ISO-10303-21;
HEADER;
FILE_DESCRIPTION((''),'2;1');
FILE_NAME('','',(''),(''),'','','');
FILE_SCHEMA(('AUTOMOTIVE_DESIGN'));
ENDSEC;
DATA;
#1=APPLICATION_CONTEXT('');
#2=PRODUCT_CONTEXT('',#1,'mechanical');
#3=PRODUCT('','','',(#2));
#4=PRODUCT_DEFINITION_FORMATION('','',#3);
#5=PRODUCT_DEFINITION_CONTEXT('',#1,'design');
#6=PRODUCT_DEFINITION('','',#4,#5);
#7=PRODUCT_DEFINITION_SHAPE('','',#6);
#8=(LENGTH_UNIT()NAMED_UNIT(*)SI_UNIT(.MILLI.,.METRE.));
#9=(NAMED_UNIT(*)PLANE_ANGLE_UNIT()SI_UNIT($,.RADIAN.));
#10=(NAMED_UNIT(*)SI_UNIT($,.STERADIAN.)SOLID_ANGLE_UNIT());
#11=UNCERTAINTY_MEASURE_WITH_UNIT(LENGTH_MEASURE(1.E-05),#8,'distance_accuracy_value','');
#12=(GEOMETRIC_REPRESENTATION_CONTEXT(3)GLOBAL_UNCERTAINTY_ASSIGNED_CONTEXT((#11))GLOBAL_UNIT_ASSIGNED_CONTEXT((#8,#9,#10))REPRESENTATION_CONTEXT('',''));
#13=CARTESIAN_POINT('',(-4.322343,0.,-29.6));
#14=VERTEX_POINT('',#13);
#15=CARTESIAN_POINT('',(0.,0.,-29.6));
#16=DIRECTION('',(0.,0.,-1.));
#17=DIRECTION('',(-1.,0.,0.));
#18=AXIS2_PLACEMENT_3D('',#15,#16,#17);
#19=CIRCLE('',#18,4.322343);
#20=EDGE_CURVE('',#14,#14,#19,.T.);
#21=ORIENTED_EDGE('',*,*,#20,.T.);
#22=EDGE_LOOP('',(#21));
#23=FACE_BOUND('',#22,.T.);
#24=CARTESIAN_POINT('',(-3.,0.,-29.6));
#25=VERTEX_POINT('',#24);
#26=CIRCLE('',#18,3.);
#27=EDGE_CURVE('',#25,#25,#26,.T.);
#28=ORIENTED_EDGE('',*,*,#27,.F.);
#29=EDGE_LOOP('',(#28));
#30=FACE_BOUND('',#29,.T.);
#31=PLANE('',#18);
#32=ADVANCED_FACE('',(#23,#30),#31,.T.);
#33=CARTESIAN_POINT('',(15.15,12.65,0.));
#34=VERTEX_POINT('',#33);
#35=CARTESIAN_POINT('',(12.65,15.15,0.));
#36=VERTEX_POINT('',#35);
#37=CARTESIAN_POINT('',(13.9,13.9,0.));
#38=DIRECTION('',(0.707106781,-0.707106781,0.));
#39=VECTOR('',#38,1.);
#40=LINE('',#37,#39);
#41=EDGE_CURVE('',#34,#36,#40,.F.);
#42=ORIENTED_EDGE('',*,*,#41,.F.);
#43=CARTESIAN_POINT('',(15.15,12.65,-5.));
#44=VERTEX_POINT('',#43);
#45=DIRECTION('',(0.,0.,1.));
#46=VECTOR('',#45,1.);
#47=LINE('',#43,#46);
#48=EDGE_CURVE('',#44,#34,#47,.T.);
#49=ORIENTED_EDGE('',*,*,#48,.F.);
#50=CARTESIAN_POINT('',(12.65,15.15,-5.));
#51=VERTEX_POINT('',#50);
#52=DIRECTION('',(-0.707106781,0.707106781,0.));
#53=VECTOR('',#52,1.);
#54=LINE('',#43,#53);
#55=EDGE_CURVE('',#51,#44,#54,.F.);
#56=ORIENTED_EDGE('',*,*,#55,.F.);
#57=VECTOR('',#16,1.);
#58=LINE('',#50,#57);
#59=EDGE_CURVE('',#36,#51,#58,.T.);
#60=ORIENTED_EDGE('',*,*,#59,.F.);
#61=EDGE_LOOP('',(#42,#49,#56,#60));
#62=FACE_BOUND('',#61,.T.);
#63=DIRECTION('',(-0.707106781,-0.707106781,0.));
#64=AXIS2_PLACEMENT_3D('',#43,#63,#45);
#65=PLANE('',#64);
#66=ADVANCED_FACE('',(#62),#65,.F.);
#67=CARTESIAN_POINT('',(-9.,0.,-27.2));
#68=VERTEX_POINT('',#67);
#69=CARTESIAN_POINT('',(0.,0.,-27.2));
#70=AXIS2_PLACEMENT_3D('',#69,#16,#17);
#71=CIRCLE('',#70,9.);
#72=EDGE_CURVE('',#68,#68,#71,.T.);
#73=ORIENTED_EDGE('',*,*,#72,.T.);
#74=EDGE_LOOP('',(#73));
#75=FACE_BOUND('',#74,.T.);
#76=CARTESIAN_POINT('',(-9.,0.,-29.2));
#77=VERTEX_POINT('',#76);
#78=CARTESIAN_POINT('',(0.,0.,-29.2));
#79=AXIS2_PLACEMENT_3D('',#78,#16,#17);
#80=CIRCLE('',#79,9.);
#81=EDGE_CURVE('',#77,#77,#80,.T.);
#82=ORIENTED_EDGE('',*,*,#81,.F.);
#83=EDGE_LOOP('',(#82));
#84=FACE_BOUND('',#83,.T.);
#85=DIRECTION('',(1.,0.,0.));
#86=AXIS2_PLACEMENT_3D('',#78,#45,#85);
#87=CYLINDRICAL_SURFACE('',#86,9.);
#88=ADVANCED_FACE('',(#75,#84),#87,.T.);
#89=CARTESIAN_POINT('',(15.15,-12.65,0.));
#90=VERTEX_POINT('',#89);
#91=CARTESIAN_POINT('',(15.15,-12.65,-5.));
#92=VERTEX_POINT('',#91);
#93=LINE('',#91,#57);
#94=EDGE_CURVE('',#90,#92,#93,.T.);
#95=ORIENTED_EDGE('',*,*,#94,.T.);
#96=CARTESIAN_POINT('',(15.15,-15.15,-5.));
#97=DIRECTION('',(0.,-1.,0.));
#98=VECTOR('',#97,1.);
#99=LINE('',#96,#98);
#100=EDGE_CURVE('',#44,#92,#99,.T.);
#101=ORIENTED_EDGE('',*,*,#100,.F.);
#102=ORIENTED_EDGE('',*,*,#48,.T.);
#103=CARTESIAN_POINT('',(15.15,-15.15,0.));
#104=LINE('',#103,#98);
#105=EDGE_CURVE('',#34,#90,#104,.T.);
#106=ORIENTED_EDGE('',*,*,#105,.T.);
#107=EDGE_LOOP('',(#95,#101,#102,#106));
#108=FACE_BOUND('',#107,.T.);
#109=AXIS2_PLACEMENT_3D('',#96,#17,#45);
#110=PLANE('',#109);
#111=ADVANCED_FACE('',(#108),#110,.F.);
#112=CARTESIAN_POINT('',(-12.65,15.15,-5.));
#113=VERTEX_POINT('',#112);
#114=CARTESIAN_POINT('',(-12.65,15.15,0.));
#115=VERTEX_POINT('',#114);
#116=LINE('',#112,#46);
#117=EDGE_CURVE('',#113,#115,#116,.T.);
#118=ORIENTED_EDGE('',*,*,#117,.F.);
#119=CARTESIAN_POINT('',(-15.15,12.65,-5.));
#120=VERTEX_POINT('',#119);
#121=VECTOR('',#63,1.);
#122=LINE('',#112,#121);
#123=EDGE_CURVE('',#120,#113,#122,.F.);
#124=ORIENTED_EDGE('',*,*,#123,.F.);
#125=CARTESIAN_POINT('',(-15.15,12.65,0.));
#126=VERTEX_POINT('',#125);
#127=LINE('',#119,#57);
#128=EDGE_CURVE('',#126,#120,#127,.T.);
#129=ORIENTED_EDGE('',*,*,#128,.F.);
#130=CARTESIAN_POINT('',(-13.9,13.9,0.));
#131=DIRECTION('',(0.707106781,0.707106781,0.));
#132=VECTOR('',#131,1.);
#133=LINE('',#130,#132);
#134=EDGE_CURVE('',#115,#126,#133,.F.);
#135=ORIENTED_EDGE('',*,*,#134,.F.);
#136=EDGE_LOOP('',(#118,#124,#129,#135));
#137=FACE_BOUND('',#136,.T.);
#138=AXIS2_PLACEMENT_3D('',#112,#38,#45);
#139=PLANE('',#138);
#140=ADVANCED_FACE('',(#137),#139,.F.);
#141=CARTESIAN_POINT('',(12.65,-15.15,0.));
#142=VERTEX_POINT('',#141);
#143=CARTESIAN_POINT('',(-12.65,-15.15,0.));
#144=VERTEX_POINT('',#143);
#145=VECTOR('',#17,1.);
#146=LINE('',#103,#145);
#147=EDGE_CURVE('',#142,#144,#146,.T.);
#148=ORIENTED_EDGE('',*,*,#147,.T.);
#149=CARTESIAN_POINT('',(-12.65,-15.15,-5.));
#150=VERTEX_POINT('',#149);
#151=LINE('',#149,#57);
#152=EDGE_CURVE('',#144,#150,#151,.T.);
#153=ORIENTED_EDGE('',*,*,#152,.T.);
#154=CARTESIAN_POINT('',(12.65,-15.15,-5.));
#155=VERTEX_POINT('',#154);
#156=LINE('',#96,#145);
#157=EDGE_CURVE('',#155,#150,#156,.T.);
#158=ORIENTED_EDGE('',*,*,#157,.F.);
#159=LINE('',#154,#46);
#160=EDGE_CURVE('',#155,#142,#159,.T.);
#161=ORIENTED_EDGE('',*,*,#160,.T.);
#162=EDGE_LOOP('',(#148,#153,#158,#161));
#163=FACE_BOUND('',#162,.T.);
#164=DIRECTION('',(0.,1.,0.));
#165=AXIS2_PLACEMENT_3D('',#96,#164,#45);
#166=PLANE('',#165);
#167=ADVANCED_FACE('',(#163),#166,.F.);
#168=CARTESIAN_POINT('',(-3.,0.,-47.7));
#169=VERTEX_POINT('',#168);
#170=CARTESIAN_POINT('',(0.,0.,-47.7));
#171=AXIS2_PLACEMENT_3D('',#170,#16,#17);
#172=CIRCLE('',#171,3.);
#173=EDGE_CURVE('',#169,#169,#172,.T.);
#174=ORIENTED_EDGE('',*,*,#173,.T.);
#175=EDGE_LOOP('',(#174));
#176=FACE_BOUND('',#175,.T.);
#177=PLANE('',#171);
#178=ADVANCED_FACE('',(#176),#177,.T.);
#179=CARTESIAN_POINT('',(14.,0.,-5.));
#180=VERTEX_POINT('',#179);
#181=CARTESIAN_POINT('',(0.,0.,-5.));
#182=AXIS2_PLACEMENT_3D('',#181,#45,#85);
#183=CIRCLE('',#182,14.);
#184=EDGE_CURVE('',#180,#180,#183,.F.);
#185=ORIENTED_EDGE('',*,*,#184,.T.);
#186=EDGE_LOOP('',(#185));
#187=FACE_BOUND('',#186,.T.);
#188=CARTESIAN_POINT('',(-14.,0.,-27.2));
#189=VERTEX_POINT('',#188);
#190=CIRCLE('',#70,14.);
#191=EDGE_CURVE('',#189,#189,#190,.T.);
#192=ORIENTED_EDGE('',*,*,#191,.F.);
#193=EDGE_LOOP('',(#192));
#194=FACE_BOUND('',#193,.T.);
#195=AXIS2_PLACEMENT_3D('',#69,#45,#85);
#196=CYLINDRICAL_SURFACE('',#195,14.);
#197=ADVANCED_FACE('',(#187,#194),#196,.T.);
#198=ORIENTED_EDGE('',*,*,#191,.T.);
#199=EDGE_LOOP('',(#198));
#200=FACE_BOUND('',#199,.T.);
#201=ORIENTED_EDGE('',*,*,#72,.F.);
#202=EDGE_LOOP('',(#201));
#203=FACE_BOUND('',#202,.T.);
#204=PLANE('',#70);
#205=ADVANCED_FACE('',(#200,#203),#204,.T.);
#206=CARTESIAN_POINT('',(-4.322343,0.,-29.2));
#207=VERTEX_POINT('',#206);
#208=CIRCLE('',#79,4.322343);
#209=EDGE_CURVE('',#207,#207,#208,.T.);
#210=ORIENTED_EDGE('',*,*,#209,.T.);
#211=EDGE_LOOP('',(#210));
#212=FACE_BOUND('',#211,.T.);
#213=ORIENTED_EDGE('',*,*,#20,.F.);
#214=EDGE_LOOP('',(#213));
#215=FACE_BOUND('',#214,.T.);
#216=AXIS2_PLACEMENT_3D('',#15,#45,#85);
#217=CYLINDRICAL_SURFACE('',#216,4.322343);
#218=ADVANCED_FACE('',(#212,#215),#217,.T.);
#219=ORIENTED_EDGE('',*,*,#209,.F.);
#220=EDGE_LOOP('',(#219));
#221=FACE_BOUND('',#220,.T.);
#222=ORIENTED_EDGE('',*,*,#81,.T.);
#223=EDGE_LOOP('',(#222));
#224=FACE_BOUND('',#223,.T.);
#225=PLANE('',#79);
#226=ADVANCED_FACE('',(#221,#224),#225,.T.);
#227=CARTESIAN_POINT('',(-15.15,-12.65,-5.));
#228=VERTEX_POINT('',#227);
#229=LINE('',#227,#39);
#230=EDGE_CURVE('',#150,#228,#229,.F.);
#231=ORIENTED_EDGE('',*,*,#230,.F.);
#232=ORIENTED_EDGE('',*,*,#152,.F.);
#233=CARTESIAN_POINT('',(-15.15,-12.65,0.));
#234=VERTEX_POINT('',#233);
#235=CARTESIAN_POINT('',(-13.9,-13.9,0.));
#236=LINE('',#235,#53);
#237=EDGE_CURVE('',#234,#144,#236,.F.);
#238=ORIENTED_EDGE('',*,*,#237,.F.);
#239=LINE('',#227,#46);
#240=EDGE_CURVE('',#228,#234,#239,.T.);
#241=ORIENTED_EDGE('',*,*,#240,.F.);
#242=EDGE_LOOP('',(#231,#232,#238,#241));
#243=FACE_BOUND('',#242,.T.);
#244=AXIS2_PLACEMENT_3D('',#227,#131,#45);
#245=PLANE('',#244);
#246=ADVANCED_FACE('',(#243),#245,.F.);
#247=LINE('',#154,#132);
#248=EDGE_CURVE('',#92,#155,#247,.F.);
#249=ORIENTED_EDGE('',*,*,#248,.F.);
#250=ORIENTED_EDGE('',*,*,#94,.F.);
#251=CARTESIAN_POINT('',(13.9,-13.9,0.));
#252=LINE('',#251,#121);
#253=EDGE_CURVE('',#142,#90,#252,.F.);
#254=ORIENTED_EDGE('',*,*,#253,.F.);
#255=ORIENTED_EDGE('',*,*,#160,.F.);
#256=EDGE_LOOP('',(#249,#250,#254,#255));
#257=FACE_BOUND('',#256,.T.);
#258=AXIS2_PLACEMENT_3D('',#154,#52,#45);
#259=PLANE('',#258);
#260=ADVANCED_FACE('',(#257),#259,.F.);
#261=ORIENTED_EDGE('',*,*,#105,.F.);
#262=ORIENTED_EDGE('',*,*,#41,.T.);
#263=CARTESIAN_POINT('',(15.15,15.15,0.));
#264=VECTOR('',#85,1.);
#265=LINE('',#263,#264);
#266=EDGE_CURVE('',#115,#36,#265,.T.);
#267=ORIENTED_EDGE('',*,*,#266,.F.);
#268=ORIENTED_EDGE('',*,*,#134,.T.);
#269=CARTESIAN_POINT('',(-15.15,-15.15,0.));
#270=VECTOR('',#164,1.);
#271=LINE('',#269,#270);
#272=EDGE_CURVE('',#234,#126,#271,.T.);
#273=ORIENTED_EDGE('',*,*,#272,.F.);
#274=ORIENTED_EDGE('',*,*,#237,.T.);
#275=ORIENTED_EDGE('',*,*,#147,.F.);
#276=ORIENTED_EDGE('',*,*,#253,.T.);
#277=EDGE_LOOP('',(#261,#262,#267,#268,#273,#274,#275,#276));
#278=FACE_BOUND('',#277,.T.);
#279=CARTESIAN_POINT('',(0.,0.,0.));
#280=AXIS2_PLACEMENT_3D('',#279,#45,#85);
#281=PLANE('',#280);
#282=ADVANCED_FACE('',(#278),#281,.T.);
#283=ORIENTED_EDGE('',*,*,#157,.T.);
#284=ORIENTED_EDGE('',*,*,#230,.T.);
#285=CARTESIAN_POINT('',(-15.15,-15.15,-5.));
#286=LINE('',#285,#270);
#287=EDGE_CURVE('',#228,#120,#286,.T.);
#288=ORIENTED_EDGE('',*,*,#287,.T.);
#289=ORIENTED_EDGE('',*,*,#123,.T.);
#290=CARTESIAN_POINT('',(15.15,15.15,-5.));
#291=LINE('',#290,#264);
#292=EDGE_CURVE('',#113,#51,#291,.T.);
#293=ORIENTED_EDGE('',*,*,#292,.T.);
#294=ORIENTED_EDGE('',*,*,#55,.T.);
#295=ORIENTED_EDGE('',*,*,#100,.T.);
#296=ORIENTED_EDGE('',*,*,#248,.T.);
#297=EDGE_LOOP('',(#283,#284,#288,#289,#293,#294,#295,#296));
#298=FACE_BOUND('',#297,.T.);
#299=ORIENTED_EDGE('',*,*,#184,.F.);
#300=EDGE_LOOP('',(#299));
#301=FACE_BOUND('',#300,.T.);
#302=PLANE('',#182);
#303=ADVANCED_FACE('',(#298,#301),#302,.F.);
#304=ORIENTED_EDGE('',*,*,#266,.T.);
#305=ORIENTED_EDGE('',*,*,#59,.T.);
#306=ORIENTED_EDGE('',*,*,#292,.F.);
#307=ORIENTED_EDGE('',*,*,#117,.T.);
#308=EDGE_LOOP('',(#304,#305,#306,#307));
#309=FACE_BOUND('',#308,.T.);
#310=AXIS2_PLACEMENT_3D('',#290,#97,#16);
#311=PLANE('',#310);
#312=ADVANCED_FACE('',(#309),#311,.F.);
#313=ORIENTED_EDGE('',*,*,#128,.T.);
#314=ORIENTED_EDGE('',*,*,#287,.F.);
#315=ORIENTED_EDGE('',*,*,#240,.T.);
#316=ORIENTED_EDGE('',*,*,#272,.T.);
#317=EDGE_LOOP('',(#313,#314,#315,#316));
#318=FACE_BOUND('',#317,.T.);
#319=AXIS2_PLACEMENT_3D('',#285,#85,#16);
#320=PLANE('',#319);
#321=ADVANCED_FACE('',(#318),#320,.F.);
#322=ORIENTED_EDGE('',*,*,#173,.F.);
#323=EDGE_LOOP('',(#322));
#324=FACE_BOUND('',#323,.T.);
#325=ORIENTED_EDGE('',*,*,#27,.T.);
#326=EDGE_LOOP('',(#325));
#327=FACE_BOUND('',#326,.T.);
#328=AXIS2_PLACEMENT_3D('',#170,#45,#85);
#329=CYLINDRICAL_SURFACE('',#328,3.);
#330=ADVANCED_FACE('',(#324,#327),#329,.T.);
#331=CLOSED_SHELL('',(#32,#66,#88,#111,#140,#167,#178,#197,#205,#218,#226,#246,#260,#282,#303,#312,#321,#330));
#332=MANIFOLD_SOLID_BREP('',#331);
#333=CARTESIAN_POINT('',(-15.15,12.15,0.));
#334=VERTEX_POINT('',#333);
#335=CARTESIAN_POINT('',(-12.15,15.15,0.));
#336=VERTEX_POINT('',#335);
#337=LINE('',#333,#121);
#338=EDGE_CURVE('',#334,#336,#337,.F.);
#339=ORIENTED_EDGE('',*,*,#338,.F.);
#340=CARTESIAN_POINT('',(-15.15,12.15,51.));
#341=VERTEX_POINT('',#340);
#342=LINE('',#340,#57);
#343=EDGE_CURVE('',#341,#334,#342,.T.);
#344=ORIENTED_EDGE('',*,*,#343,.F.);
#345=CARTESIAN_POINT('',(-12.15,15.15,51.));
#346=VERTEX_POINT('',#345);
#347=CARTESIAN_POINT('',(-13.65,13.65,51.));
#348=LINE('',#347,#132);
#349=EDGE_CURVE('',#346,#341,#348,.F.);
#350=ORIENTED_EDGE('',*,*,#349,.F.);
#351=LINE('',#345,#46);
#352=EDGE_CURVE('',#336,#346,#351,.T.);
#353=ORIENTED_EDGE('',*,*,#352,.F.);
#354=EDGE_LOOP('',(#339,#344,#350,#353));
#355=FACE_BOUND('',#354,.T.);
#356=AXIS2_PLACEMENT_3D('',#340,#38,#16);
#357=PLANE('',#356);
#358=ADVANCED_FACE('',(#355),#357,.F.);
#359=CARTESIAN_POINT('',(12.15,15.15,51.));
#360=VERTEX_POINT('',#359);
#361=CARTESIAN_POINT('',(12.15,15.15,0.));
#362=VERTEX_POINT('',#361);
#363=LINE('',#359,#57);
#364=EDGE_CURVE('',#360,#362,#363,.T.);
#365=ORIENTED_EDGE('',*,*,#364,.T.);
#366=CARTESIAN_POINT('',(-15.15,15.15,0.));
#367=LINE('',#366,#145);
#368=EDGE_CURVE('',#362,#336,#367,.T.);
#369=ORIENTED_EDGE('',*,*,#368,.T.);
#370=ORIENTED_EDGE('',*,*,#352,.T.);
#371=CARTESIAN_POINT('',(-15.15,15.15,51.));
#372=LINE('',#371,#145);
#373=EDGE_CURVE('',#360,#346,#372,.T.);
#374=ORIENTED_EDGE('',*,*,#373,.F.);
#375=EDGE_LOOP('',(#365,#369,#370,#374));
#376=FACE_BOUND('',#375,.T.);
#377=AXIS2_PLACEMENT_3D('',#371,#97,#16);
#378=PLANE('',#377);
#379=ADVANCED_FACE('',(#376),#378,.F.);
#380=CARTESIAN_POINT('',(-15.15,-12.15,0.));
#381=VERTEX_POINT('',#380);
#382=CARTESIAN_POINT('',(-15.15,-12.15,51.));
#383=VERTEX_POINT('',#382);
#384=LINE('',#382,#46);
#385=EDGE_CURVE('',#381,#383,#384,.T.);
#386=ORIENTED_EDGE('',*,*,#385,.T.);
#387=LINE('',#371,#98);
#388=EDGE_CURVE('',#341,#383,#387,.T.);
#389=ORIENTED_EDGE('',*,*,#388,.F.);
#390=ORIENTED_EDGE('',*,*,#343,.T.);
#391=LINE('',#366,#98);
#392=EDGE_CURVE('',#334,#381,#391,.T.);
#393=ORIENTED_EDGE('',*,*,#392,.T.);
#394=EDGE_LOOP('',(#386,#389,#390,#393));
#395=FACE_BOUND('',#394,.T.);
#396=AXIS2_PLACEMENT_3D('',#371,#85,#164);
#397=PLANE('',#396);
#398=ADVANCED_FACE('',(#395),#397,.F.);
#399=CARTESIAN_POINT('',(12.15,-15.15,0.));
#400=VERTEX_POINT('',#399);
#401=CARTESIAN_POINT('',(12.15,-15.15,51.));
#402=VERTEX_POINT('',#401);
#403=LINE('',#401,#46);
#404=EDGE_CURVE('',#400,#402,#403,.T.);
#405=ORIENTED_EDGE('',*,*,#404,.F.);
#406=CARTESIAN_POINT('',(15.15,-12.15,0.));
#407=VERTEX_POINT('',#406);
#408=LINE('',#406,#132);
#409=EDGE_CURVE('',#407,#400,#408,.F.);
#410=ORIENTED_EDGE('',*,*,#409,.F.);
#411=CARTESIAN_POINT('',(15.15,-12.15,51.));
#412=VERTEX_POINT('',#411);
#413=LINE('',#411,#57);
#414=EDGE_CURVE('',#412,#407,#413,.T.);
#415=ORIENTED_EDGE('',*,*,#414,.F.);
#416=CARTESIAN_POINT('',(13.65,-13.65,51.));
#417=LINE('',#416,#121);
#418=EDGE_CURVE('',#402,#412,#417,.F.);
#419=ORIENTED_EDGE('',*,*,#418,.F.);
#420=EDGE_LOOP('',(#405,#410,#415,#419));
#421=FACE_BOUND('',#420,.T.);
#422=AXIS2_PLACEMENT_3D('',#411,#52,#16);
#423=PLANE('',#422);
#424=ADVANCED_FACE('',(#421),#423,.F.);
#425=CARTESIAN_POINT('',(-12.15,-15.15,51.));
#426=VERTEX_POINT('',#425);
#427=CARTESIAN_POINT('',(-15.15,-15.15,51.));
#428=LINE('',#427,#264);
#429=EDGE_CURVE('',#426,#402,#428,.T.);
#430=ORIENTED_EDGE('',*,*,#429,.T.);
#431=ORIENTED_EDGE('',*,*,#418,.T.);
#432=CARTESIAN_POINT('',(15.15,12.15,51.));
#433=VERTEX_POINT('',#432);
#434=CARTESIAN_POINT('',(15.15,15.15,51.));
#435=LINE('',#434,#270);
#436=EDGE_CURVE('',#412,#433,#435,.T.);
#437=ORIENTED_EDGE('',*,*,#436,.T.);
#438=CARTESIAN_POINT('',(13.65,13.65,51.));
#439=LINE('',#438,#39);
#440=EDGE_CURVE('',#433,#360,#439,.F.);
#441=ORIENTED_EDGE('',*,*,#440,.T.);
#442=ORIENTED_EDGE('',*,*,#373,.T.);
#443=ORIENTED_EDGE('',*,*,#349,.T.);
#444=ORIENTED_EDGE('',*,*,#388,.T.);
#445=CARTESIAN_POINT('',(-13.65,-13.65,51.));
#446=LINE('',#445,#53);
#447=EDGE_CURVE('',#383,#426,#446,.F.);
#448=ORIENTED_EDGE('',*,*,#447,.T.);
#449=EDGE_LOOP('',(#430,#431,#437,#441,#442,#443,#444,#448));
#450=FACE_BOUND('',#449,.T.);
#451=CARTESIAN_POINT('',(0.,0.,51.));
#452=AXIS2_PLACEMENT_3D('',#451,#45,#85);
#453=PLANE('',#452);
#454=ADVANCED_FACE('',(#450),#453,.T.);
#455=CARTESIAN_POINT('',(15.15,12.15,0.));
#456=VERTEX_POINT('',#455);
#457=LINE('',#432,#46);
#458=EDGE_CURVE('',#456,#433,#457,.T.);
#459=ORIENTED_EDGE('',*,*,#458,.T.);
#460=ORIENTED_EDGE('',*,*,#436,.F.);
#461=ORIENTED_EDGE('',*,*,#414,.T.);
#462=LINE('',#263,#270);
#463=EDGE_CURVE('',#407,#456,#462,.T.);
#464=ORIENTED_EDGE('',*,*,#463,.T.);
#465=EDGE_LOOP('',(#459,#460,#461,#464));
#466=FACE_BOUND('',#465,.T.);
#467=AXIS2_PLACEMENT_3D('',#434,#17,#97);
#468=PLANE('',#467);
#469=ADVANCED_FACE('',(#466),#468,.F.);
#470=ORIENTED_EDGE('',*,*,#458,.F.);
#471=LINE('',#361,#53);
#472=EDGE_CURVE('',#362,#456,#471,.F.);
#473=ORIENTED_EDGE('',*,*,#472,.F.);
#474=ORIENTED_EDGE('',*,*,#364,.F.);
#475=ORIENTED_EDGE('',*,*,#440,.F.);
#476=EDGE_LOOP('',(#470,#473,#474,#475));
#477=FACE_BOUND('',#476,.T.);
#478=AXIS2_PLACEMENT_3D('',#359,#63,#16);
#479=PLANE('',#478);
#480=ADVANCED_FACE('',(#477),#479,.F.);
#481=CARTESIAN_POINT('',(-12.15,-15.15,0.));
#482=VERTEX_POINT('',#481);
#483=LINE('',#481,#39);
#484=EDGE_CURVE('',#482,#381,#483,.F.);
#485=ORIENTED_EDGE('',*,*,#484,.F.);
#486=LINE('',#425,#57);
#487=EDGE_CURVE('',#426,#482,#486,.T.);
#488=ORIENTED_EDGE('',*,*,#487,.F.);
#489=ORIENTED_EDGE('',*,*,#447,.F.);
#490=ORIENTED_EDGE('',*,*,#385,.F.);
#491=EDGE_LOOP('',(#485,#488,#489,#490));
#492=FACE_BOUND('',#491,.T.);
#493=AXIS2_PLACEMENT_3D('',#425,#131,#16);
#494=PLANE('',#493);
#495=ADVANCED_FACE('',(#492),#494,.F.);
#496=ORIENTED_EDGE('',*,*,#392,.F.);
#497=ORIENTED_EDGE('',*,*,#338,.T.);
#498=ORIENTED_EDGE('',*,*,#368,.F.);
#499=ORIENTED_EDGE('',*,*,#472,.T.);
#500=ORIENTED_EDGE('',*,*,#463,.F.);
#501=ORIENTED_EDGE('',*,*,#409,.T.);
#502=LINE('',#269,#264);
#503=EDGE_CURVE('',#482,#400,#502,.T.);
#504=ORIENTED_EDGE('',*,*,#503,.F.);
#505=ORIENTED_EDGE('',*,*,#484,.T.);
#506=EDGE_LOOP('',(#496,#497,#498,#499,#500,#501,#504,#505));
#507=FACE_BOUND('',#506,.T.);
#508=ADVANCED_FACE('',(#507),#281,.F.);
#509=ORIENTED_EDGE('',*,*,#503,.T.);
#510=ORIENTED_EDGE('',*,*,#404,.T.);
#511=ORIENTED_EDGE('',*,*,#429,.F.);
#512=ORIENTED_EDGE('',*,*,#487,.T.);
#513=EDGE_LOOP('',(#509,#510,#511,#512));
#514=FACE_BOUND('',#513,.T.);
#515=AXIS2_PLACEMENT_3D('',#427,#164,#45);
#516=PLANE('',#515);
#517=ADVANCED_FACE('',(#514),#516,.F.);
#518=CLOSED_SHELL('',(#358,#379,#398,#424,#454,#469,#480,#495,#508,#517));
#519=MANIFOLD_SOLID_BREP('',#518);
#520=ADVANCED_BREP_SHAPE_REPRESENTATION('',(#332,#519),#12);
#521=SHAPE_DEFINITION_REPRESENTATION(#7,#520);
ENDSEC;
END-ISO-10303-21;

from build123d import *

# Parameters (mm, degrees)
SKETCH1_W           = 30.3
SKETCH1_H           = 30.3
BOSS_EXTRUDE1_DEPTH = 51
SKETCH4_W           = 30.3
SKETCH4_H           = 30.3
BOSS_EXTRUDE4_DEPTH = 5
SKETCH5_R           = 14
BOSS_EXTRUDE5_DEPTH = 22.2
SKETCH6_R           = 9
BOSS_EXTRUDE6_DEPTH = 2
SKETCH7_R           = 3
BOSS_EXTRUDE7_DEPTH = 18.5
SKETCH8_R           = 4.32234312
BOSS_EXTRUDE8_DEPTH = 0.4
CHAMFER1_SIZE       = 3
CHAMFER2_SIZE       = 2.5


with BuildPart() as part:
    # Sketch1 → Boss-Extrude1 (new body)
    with BuildSketch(Plane.XY):
        Rectangle(SKETCH1_W, SKETCH1_H)
    extrude(amount=BOSS_EXTRUDE1_DEPTH)

    # Chamfer1
    chamfer1_edges = [part.edges().sort_by_distance(p)[0] for p in [
        (15.15, -15.15, 25.5),
        (-15.15, -15.15, 25.5),
        (-15.15, 15.15, 25.5),
        (15.15, 15.15, 25.5),
    ]]
    chamfer(chamfer1_edges, length=CHAMFER1_SIZE)


with BuildPart() as body_2:
    # Sketch4 → Boss-Extrude4 (new body)
    with BuildSketch(Plane(origin=(0, 0, 0), x_dir=(-1, 0, 0), z_dir=(0, 0, -1))):
        Rectangle(SKETCH4_W, SKETCH4_H)
    extrude(amount=BOSS_EXTRUDE4_DEPTH)

    # Sketch5 → Boss-Extrude5 (add)
    with BuildSketch(Plane(origin=(0, 0, -5), x_dir=(-1, 0, 0), z_dir=(0, 0, -1))):
        Circle(SKETCH5_R)
    extrude(amount=BOSS_EXTRUDE5_DEPTH)

    # Sketch6 → Boss-Extrude6 (add)
    with BuildSketch(Plane(origin=(0, 0, -27.2), x_dir=(-1, 0, 0), z_dir=(0, 0, -1))):
        Circle(SKETCH6_R)
    extrude(amount=BOSS_EXTRUDE6_DEPTH)

    # Sketch7 → Boss-Extrude7 (add)
    with BuildSketch(Plane(origin=(0, 0, -29.2), x_dir=(-1, 0, 0), z_dir=(0, 0, -1))):
        Circle(SKETCH7_R)
    extrude(amount=BOSS_EXTRUDE7_DEPTH)

    # Sketch8 → Boss-Extrude8 (add)
    with BuildSketch(Plane(origin=(0, 0, -29.2), x_dir=(-1, 0, 0), z_dir=(0, 0, -1))):
        Circle(SKETCH8_R)
    extrude(amount=BOSS_EXTRUDE8_DEPTH)

    # Chamfer2
    chamfer2_edges = [body_2.edges().sort_by_distance(p)[0] for p in [
        (-15.15, -15.15, -2.5),
        (15.15, -15.15, -2.5),
        (15.15, 15.15, -2.5),
        (-15.15, 15.15, -2.5),
    ]]
    chamfer(chamfer2_edges, length=CHAMFER2_SIZE)


solid = Compound([part.part, body_2.part])
